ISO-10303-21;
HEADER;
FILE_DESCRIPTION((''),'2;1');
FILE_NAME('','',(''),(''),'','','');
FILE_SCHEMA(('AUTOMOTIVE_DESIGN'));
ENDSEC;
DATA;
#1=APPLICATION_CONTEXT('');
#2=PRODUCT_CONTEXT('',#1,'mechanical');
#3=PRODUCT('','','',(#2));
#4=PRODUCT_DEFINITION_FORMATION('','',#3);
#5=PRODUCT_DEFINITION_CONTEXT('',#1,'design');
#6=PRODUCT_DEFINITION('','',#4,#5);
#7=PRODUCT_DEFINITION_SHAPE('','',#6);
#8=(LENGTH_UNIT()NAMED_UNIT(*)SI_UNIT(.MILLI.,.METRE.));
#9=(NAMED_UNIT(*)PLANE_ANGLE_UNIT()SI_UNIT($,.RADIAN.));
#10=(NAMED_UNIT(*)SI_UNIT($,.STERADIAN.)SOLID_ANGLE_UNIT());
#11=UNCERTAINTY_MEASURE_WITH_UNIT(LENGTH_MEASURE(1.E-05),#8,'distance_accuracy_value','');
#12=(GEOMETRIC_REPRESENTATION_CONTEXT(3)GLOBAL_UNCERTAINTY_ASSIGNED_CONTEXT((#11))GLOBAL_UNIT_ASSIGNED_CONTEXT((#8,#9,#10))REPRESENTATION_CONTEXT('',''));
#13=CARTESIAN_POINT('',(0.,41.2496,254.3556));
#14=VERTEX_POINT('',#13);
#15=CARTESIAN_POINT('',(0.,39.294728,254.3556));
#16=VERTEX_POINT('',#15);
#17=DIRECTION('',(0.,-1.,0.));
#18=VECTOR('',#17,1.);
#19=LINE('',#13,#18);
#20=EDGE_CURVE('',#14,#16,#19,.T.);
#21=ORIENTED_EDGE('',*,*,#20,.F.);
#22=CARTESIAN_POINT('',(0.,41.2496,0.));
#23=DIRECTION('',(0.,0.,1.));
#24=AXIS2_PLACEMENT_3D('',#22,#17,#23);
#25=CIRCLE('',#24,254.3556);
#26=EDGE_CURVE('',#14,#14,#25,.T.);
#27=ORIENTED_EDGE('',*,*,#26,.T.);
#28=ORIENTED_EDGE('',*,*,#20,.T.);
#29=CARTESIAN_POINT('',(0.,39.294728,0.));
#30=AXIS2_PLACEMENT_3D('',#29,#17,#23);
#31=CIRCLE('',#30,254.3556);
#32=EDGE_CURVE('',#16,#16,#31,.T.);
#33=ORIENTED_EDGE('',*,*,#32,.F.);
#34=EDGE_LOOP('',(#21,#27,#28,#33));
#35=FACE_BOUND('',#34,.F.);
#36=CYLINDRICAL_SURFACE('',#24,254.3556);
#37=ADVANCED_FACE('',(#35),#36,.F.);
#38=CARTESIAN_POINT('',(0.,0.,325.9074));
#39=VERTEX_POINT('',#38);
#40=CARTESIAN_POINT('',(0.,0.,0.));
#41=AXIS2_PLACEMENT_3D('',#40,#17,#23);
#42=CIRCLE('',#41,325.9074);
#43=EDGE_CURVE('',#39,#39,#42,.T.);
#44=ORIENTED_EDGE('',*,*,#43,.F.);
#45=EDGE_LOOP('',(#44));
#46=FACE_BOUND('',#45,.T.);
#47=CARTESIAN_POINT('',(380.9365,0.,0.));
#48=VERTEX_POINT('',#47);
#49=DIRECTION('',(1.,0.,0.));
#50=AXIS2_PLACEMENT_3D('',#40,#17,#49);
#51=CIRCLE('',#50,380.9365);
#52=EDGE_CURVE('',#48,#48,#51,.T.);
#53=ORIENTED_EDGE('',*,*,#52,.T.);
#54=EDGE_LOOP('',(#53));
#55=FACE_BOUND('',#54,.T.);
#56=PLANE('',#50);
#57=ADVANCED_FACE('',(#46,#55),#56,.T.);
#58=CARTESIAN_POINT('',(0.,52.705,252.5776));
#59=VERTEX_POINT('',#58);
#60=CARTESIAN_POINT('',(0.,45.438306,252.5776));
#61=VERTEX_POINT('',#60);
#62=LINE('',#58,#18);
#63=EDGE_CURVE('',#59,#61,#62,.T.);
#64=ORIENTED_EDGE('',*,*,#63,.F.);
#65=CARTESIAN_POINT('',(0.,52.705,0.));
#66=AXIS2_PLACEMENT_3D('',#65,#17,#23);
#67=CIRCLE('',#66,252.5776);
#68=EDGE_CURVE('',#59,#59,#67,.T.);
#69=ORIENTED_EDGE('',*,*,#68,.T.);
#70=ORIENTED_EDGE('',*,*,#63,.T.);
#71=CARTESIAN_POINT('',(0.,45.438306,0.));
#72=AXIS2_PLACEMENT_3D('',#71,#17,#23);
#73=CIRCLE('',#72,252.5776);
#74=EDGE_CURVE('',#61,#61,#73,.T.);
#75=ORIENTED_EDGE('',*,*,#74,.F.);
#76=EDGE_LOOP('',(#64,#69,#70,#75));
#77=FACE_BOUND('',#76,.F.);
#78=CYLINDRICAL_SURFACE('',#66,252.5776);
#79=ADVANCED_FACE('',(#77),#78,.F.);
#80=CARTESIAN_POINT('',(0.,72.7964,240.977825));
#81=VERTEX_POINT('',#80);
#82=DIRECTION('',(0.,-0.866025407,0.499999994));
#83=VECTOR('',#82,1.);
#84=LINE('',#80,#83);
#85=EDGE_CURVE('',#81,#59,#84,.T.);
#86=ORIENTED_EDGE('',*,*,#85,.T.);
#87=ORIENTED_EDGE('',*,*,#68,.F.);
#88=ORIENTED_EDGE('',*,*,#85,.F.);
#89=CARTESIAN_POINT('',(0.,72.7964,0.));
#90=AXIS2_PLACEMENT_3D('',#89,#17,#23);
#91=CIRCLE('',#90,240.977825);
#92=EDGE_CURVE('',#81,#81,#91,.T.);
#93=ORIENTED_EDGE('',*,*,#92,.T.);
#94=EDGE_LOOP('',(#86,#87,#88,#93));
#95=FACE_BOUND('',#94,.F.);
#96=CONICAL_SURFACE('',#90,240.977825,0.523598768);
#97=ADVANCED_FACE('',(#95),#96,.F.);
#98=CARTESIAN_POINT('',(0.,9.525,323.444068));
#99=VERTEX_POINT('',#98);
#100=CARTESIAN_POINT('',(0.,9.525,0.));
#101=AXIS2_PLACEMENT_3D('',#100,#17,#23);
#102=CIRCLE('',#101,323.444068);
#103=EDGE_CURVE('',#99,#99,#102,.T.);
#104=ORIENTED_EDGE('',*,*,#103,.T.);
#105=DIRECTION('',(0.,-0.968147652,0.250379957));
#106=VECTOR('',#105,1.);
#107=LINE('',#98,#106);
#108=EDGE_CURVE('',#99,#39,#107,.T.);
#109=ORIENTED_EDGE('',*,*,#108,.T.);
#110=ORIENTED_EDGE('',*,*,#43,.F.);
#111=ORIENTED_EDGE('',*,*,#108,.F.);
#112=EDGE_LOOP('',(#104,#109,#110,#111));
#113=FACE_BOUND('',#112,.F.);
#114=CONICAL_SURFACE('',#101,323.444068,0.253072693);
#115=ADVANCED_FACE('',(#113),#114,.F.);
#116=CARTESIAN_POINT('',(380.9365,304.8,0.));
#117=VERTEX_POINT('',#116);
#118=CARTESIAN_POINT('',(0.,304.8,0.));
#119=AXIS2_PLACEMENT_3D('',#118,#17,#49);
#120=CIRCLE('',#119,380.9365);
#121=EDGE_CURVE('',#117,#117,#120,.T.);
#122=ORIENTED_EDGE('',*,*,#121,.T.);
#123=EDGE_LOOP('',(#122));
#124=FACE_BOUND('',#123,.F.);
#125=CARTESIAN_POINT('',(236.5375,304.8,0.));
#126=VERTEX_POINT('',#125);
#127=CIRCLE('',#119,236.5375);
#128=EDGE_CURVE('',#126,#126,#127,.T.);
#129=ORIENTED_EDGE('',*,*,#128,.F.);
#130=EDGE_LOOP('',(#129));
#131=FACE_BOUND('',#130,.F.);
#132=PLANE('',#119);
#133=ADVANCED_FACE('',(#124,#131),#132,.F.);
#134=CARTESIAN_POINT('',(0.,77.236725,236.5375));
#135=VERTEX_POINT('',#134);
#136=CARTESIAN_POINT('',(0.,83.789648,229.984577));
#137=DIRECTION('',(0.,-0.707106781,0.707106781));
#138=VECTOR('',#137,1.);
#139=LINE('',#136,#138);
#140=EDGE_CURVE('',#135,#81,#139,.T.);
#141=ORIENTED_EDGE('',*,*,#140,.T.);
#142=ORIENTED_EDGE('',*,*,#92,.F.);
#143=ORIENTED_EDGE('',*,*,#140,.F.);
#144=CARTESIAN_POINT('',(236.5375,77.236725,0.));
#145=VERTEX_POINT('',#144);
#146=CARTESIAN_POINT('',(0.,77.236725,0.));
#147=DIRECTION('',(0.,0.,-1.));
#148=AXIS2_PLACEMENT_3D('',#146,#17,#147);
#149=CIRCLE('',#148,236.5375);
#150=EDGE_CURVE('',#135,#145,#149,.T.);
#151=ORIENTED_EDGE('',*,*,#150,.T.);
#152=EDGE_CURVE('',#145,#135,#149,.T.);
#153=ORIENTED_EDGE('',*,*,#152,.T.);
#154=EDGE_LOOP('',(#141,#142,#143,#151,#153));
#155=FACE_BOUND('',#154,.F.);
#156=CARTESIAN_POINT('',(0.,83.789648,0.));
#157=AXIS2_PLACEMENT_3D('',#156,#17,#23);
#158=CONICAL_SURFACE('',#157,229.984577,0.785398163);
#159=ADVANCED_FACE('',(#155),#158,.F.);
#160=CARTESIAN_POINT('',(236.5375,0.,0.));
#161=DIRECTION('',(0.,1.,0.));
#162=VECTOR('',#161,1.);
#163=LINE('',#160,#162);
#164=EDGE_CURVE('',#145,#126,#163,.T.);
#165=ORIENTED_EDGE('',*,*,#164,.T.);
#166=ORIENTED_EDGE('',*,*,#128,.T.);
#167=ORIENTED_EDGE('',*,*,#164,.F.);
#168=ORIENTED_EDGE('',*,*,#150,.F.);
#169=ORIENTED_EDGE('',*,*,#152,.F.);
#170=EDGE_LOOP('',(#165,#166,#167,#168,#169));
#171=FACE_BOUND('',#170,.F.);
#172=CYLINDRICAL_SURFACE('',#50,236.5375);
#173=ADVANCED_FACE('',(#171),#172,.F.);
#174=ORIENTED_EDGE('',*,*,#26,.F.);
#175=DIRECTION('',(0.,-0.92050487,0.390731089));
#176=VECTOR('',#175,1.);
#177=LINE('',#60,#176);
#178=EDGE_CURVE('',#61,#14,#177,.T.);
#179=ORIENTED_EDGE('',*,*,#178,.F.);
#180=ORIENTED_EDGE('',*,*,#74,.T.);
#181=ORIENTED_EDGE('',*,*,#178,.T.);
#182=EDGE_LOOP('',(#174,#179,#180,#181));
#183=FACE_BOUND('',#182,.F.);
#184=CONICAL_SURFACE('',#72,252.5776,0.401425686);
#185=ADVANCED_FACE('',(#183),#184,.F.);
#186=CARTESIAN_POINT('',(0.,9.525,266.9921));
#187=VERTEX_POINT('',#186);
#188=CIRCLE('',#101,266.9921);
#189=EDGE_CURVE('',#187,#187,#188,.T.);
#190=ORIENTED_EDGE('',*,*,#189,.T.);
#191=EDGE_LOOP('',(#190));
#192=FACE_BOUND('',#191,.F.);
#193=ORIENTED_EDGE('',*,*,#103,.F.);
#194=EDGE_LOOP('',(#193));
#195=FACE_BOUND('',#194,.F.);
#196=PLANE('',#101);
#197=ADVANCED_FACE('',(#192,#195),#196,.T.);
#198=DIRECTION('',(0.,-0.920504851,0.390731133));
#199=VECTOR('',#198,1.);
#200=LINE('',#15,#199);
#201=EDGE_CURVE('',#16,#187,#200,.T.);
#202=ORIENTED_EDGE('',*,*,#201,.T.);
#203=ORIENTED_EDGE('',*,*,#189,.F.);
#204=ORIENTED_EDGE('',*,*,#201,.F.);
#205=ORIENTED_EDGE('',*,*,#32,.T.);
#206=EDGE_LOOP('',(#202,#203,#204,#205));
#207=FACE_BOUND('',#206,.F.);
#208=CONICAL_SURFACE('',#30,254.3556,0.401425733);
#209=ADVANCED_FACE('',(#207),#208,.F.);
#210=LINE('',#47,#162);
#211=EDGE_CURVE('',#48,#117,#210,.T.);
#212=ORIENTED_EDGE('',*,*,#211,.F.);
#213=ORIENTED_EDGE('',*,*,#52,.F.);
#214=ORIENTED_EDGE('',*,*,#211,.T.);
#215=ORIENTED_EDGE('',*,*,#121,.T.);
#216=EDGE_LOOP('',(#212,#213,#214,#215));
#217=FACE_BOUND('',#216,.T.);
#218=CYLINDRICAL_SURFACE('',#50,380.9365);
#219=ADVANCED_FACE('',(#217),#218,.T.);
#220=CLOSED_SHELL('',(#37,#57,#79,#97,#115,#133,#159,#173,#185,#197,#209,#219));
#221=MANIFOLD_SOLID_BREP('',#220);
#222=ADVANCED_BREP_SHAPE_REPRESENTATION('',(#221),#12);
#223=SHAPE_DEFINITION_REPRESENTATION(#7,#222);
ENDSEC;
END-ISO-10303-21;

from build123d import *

# Parameters (mm, degrees)
F0_R     = 380.9365
F0_R_2   = 236.5375
F1_DEPTH = 304.8


with BuildPart() as f1:
    # F0 (on Front) → F1 (new body)
    with BuildSketch(Plane.XZ):
        Circle(F0_R)
        Circle(F0_R_2, mode=Mode.SUBTRACT)
    extrude(amount=-F1_DEPTH)

    # F2 (on Right) → F3 (revolve, cut)
    with BuildSketch(Plane.YZ):
        Polygon((-0.674657, 0), (0, 0), (9.525, 0), (9.525, 323.444068), (0, 325.9074), (-38.13795, 325.9074), align=None)
    revolve(axis=Axis((0, -111.905819, 0), (0, -1, 0)), mode=Mode.SUBTRACT)

    # F4 (on Right) → F5 (revolve, cut)
    with BuildSketch(Plane.YZ):
        Polygon((39.294728, 254.3556), (9.525, 266.9921), (-83.954796, 266.9921), (-48.076838, 187.997639), (83.789648, 229.984577), (72.7964, 240.977825), (52.705, 252.5776), (45.438306, 252.5776), (41.2496, 254.3556), align=None)
    revolve(axis=Axis((0, 0, 0), (0, -1, 0)), mode=Mode.SUBTRACT)


solid = f1.part
